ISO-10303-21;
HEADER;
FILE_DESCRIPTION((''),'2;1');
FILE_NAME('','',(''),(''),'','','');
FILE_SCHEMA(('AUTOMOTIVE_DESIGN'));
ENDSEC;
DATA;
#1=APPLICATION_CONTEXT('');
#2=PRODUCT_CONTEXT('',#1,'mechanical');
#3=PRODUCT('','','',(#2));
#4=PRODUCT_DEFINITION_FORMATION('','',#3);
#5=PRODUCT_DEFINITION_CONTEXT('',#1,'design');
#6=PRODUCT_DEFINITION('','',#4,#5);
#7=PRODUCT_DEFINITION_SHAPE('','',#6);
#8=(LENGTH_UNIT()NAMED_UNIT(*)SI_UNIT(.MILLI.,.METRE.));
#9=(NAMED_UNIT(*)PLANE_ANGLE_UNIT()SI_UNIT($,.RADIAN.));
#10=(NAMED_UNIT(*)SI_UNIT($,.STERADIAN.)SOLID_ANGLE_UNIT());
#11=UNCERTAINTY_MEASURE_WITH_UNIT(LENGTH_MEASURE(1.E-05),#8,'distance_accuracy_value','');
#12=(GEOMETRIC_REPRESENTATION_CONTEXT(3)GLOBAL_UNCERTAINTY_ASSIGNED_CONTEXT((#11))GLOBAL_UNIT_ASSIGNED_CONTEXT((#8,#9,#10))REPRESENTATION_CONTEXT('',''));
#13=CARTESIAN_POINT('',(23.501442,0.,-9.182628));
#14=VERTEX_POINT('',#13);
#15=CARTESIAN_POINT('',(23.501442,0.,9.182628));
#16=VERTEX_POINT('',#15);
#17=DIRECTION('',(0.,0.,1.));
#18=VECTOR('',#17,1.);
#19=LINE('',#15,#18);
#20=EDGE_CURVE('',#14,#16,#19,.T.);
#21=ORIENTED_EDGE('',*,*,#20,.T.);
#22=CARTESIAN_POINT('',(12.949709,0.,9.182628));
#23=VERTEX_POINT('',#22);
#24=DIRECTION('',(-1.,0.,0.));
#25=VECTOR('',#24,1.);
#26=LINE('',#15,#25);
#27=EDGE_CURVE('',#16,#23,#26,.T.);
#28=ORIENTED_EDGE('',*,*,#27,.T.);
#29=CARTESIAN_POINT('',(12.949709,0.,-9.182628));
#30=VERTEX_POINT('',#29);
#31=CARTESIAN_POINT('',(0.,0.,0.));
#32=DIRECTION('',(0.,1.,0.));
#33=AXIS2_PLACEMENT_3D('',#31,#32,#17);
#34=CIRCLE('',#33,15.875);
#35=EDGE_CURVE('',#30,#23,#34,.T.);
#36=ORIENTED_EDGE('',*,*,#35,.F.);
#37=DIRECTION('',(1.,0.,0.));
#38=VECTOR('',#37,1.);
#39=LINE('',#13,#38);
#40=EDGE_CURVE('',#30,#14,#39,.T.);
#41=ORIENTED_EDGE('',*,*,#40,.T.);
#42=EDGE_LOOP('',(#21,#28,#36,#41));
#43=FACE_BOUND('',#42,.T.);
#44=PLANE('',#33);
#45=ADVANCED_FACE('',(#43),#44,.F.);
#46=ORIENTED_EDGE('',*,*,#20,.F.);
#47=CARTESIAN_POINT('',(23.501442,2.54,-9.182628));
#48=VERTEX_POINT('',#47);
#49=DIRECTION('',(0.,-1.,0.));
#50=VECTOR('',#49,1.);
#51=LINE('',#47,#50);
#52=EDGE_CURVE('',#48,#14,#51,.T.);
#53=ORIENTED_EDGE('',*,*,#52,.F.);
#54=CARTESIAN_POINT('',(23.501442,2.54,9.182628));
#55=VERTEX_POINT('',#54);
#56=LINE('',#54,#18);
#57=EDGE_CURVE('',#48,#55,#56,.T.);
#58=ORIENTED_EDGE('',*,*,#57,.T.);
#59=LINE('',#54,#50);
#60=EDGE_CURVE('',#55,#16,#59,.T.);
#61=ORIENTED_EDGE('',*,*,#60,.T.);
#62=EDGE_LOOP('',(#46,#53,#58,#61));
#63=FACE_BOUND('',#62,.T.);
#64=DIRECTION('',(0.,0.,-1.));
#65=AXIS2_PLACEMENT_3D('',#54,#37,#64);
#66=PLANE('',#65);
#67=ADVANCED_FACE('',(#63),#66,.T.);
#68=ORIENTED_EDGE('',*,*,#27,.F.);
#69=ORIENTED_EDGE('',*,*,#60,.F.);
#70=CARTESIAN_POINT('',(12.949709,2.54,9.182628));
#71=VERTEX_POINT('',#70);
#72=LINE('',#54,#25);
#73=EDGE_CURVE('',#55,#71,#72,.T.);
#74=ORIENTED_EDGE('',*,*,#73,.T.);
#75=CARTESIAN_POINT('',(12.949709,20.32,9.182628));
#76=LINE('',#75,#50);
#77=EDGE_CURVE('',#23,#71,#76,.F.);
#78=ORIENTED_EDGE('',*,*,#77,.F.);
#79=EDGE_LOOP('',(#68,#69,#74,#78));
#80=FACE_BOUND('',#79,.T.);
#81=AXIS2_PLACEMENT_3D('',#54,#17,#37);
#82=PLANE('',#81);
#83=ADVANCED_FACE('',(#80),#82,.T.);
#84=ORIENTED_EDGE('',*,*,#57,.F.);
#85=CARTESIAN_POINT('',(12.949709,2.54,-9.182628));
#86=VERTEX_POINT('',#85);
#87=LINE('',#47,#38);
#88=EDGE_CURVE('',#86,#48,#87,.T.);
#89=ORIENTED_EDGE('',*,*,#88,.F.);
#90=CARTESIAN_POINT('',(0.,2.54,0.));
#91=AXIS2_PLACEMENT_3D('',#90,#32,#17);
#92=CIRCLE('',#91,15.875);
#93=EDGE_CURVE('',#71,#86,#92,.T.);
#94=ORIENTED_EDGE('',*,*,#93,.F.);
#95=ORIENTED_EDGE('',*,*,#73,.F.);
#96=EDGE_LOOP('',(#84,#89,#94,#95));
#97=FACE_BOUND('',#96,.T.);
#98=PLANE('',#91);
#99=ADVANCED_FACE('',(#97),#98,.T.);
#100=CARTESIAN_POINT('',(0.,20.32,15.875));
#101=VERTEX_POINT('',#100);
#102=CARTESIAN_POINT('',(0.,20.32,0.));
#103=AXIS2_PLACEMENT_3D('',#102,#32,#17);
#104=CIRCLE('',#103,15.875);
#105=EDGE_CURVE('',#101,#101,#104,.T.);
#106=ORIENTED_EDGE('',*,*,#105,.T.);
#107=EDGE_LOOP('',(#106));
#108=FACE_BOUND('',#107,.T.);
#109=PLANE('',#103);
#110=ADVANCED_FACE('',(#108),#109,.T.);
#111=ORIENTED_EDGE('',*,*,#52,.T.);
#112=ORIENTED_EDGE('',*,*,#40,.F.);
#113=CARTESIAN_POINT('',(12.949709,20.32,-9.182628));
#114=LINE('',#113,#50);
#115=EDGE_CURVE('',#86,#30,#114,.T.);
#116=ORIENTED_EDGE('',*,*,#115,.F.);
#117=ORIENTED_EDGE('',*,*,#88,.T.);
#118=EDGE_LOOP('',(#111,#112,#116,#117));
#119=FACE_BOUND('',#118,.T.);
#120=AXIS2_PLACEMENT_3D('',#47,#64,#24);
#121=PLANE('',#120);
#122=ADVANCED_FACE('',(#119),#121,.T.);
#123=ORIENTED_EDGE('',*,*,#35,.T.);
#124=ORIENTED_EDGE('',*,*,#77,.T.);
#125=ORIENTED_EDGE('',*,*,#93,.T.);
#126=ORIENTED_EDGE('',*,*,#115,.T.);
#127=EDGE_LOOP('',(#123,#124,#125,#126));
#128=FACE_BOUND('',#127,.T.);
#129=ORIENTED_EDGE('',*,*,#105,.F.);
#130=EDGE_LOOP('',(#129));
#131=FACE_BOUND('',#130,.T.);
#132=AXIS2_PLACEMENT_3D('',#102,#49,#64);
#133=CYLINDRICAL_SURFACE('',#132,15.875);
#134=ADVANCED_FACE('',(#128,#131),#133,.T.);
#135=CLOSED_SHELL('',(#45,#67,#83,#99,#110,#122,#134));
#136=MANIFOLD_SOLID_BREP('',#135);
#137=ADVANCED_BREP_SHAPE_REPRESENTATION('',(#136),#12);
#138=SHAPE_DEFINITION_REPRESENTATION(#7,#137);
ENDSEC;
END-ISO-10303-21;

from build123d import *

# Parameters (mm, degrees)
SKETCH1_R           = 15.875
BOSS_EXTRUDE1_DEPTH = 20.32
SKETCH2_W           = 15.252884162
SKETCH2_H           = 18.365256134
BOSS_EXTRUDE2_DEPTH = 2.54


with BuildPart() as part:
    # Sketch1 → Boss-Extrude1 (new body)
    with BuildSketch(Plane(origin=(0, 0, 0), x_dir=(1, 0, 0), z_dir=(0, 1, 0))):
        with Locations(Location((0, 0, 0), (0, 0, 270))):
            Circle(SKETCH1_R)
    extrude(amount=BOSS_EXTRUDE1_DEPTH)

    # Sketch2 → Boss-Extrude2 (add)
    with BuildSketch(Plane.XZ):
        with Locations((15.875, 0)):
            Rectangle(SKETCH2_W, SKETCH2_H)
    extrude(amount=-BOSS_EXTRUDE2_DEPTH)


solid = part.part
